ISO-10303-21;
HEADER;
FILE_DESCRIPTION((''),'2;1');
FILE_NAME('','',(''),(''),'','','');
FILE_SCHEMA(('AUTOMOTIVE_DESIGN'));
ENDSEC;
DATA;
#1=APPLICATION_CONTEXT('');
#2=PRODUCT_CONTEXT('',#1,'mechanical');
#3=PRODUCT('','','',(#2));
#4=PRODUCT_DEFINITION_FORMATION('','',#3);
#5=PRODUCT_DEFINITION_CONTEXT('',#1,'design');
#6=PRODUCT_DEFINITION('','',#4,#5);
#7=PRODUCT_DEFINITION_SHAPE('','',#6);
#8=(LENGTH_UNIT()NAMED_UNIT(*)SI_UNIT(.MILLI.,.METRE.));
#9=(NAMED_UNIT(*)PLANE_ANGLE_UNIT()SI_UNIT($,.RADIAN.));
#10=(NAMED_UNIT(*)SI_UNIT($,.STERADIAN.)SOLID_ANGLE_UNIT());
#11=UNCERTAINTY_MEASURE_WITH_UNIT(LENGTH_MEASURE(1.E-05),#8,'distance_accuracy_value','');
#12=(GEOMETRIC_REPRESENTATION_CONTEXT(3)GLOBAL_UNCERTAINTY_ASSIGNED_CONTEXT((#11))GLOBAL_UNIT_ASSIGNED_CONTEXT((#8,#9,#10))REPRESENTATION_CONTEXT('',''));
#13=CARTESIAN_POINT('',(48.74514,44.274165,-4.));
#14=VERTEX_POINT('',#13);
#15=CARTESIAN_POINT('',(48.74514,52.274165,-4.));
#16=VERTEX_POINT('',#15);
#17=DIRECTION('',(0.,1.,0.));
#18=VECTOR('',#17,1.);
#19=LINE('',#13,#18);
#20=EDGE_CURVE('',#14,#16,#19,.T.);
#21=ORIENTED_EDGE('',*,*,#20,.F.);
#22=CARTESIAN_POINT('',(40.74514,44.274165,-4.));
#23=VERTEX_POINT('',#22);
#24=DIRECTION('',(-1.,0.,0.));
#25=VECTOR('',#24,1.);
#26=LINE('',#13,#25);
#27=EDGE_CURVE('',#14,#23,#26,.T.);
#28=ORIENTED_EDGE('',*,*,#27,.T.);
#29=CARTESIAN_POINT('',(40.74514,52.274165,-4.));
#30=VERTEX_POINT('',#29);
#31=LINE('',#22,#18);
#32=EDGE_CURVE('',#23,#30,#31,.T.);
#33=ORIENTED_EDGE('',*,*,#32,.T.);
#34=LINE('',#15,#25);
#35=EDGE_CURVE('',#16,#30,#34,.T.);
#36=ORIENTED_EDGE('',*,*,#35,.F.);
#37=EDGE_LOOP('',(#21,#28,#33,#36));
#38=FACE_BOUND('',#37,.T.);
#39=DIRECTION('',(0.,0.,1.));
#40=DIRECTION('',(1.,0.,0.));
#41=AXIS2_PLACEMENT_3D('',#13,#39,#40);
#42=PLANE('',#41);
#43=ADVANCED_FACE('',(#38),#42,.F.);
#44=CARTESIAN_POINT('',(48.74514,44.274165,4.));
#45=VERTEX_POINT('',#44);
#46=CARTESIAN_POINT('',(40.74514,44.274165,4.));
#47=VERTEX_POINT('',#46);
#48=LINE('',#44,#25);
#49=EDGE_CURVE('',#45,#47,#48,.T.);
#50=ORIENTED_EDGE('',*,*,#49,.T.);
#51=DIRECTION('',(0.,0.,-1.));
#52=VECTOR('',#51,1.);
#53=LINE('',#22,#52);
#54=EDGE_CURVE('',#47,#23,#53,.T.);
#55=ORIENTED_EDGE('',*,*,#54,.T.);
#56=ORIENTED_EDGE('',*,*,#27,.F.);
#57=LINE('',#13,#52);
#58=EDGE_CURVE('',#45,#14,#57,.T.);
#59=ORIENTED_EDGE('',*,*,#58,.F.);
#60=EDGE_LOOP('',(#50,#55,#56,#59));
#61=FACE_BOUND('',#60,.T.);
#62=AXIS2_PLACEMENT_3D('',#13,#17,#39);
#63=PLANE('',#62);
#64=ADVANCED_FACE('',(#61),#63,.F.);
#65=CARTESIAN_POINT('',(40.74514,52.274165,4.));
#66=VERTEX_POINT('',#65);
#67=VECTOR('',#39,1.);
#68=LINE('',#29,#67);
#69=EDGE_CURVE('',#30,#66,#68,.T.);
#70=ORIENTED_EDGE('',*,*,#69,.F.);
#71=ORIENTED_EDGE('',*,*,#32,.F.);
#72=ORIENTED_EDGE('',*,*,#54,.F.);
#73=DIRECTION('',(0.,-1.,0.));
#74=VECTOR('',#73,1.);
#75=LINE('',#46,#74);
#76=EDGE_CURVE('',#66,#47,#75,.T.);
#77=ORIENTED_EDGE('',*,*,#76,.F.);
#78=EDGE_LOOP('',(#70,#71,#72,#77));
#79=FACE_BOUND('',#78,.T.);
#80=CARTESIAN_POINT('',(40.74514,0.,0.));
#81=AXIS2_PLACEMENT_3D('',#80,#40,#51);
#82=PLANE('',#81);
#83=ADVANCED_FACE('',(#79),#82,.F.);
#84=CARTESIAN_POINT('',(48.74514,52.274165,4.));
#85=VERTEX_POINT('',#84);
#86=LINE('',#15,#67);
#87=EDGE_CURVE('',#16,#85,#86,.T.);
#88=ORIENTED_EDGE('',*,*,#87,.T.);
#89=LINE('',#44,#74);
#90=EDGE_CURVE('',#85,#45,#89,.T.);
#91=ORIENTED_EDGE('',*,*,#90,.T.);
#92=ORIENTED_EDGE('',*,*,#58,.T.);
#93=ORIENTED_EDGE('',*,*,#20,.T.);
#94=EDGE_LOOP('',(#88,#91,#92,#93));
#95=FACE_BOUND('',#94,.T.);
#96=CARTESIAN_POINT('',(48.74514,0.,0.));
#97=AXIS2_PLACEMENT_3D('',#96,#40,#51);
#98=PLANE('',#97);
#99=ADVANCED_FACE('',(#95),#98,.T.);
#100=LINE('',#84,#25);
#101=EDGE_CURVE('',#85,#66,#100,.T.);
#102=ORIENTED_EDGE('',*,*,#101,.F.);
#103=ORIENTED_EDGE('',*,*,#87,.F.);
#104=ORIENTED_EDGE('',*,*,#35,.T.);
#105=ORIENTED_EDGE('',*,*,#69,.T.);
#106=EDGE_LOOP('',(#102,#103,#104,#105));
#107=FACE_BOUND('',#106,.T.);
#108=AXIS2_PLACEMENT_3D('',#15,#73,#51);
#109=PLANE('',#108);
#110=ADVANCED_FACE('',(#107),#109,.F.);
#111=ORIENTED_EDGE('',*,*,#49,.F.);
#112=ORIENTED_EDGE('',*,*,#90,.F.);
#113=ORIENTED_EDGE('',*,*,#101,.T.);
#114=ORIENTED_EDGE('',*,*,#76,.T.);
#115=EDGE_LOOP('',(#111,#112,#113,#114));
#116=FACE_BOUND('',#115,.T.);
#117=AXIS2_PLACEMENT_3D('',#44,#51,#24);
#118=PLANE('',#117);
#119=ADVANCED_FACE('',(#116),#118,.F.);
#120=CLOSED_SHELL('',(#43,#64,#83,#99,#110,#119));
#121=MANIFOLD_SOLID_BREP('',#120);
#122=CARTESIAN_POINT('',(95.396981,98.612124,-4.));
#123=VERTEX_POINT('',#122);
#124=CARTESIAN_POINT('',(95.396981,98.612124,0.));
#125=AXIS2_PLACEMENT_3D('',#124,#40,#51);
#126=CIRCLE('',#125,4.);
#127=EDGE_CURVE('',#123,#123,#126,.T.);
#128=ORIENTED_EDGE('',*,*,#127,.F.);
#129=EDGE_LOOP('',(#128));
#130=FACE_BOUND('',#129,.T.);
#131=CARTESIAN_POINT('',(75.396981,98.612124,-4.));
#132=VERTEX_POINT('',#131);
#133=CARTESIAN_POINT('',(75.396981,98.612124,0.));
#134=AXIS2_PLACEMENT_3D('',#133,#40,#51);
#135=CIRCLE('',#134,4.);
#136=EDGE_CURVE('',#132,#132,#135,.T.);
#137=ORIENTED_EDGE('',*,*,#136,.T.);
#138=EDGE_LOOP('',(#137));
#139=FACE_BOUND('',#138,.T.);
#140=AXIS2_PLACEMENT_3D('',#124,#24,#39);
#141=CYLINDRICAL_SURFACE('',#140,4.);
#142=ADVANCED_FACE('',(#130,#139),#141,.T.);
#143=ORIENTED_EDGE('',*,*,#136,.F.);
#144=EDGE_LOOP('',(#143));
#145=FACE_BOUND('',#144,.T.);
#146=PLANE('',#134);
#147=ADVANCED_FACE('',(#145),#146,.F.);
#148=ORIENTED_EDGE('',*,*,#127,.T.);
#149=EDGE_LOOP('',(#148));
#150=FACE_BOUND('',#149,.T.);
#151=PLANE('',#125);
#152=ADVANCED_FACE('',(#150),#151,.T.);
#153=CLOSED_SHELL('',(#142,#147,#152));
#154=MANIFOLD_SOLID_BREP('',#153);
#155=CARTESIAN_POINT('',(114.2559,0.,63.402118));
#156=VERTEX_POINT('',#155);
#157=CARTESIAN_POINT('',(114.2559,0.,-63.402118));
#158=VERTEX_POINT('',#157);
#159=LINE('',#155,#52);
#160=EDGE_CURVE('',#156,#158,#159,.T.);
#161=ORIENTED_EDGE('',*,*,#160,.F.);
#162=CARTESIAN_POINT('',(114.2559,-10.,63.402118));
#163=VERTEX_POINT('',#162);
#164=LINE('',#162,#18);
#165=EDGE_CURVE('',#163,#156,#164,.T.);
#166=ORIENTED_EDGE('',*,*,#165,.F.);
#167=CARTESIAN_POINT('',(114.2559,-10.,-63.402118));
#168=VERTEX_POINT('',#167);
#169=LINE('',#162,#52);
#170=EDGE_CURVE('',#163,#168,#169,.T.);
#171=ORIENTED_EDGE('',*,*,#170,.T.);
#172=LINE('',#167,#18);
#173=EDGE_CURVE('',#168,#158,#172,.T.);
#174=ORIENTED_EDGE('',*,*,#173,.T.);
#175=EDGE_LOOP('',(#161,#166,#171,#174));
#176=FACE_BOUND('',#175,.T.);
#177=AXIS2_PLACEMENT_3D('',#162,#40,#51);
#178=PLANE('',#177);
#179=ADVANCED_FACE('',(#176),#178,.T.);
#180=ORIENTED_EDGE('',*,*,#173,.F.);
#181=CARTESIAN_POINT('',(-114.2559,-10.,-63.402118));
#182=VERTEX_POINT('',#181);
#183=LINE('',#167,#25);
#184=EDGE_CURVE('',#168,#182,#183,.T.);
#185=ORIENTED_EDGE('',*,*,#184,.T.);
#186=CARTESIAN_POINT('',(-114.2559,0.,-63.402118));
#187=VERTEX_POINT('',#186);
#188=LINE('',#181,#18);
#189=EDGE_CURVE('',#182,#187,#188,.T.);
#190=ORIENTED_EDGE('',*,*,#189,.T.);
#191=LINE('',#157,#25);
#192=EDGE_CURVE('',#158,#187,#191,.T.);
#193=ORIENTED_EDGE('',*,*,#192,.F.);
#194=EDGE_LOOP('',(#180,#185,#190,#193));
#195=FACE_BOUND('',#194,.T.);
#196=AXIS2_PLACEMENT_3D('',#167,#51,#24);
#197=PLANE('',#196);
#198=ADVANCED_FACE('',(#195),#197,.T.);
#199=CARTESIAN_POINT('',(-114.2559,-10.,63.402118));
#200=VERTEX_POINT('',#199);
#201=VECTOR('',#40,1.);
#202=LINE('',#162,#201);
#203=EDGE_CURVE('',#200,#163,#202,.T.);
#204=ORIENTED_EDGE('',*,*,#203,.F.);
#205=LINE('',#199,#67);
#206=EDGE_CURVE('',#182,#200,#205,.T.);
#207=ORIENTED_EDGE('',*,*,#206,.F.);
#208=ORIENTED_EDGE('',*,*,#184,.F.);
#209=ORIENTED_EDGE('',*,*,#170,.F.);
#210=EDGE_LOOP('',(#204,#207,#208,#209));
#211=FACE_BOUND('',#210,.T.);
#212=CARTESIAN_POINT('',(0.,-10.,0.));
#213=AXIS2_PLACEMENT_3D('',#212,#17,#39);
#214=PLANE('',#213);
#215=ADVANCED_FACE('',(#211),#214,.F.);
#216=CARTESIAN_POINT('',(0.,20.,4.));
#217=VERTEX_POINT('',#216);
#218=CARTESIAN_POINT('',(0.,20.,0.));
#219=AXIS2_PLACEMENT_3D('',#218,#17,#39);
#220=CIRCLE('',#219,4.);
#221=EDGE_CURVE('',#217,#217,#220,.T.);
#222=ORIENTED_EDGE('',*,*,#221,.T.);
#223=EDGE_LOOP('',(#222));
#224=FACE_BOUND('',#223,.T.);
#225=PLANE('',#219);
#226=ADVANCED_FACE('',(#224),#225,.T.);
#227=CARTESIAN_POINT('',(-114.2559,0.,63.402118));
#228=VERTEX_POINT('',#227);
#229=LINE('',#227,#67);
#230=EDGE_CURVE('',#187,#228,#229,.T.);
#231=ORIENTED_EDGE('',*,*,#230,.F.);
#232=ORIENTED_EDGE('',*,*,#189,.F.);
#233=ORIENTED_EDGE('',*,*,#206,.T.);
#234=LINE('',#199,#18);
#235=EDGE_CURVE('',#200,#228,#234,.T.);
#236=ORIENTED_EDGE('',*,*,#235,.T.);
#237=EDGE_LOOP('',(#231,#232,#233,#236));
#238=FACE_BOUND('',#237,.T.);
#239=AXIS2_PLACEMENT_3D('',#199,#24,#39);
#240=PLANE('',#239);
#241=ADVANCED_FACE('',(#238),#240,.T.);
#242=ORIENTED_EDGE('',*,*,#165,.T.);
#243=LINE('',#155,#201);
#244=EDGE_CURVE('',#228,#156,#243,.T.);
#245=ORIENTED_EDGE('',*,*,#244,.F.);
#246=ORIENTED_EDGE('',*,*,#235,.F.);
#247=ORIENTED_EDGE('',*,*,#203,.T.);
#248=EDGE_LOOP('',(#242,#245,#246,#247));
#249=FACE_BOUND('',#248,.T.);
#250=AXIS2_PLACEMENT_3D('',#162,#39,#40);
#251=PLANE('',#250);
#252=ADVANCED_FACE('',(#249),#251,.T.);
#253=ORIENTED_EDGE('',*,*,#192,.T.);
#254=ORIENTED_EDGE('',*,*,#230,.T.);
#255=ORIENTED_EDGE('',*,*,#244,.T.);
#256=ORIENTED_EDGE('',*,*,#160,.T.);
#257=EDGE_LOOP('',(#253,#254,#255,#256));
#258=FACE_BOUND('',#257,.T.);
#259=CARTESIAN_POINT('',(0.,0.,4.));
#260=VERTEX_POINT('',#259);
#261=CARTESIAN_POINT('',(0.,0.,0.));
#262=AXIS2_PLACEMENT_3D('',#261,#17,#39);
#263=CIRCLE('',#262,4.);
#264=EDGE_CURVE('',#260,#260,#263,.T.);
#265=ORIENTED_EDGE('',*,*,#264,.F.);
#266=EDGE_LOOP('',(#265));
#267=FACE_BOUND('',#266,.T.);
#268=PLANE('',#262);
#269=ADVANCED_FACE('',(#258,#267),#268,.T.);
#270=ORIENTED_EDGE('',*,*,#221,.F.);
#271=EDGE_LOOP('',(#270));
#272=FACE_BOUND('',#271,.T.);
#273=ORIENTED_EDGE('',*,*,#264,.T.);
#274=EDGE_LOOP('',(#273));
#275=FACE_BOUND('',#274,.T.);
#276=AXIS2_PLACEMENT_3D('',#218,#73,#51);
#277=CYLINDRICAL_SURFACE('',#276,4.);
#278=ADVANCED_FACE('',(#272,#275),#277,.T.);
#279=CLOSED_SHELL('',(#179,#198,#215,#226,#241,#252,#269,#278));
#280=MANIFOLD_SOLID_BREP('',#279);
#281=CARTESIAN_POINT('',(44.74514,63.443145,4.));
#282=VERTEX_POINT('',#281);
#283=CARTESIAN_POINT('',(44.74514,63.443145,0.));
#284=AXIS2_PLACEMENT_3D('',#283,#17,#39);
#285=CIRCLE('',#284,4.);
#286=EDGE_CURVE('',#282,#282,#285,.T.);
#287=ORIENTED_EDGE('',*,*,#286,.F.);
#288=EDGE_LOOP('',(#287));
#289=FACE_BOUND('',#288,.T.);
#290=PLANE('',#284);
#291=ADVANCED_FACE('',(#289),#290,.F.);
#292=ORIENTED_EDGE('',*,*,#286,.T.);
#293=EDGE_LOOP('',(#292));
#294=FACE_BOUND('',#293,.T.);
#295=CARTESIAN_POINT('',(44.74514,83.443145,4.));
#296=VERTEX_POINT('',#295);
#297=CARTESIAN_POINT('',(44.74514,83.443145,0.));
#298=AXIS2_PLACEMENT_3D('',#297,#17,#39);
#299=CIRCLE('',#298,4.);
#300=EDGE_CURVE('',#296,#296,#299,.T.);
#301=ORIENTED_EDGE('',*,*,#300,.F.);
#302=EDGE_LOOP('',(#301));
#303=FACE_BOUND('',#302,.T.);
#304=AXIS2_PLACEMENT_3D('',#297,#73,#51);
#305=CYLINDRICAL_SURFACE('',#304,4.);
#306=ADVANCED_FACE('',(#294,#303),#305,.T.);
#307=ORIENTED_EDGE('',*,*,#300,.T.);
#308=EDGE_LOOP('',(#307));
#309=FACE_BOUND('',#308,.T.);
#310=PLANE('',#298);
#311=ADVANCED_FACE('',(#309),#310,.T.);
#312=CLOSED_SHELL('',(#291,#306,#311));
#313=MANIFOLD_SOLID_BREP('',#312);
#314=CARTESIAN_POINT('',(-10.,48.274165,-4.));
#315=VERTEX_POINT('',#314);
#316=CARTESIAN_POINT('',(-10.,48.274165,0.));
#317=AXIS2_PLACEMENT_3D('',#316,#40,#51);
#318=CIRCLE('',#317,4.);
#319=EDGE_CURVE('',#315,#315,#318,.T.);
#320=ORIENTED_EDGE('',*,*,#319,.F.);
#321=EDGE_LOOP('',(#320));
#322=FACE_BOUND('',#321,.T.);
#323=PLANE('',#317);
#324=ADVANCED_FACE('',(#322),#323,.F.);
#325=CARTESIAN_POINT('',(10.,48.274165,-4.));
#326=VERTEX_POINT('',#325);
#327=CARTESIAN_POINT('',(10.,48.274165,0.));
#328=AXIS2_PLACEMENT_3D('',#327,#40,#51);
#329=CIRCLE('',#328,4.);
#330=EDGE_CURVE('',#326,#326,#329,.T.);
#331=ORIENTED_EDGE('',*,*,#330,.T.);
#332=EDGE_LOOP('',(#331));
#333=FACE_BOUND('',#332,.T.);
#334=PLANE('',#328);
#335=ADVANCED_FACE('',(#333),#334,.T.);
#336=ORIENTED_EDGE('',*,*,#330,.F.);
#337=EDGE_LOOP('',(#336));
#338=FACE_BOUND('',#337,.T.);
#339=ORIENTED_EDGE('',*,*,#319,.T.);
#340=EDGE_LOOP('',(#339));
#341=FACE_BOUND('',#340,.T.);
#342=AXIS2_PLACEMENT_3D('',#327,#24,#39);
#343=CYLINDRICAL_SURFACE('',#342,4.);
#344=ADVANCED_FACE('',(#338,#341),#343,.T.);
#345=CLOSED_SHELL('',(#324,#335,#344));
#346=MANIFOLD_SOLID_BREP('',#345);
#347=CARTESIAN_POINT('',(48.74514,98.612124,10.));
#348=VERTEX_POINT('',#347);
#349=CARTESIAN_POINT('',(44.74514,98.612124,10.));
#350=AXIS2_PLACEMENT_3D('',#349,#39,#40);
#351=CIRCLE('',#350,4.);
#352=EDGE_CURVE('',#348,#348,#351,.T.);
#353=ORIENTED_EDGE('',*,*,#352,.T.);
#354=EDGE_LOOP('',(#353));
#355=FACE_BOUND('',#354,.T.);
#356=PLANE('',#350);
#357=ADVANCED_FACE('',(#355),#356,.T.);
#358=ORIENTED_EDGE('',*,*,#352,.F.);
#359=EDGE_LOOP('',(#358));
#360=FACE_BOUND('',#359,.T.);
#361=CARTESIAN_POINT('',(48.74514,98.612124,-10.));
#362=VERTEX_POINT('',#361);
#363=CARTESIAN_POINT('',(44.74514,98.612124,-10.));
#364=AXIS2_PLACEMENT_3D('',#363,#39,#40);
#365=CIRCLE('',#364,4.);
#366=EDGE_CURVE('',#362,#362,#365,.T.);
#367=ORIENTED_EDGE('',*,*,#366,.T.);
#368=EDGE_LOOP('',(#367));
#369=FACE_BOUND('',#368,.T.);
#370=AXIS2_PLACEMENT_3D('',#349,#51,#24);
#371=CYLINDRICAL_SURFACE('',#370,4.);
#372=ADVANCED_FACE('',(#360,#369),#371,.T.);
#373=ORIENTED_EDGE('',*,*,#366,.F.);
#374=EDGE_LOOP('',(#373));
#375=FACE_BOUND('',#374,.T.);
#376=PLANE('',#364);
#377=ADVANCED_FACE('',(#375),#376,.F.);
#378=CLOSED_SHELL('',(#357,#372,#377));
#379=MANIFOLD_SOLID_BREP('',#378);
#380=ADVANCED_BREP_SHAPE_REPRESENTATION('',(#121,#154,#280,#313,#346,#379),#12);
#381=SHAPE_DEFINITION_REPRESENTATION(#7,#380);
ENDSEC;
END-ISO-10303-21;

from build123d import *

# Parameters (mm, degrees)
SKETCH1_W           = 228.511799864
SKETCH1_H           = 126.804235764
BOSS_EXTRUDE1_DEPTH = 10
SKETCH2_R           = 4
BOSS_EXTRUDE2_DEPTH = 20
SKETCH3_R           = 4
BOSS_EXTRUDE3_DEPTH = 10
SKETCH4_W           = 8
SKETCH4_H           = 8
BOSS_EXTRUDE4_DEPTH = 4
SKETCH5_R           = 4
BOSS_EXTRUDE5_DEPTH = 10
SKETCH7_R           = 4
BOSS_EXTRUDE6_DEPTH = 10
SKETCH9_R           = 4
BOSS_EXTRUDE7_DEPTH = 10


with BuildPart() as part:
    # Sketch1 → Boss-Extrude1 (new body)
    with BuildSketch(Plane(origin=(0, 0, 0), x_dir=(1, 0, 0), z_dir=(0, 1, 0))):
        Rectangle(SKETCH1_W, SKETCH1_H)
    extrude(amount=-BOSS_EXTRUDE1_DEPTH)

    # Sketch2 → Boss-Extrude2 (add)
    with BuildSketch(Plane(origin=(0, 0, 0), x_dir=(1, 0, 0), z_dir=(0, 1, 0))):
        with Locations(Location((0, 0, 0), (0, 0, 270))):
            Circle(SKETCH2_R)
    extrude(amount=BOSS_EXTRUDE2_DEPTH)


with BuildPart() as body_2:
    # Sketch3 → Boss-Extrude3 (new, symmetric)
    with BuildSketch(Plane(origin=(0, 0, 0), x_dir=(0, 0, -1), z_dir=(1, 0, 0))):
        with Locations((0, 48.274165168)):
            Circle(SKETCH3_R)
    extrude(amount=BOSS_EXTRUDE3_DEPTH, both=True)


with BuildPart() as body_3:
    # Sketch4 → Boss-Extrude4 (new, symmetric)
    with BuildSketch(Plane(origin=(44.745139913, 0, 0), x_dir=(0, 0, -1), z_dir=(1, 0, 0))):
        with Locations((0, 48.274165168)):
            Rectangle(SKETCH4_W, SKETCH4_H)
    extrude(amount=BOSS_EXTRUDE4_DEPTH, both=True)


with BuildPart() as body_4:
    # Sketch5 → Boss-Extrude5 (new, symmetric)
    with BuildSketch(Plane(origin=(0, 73.443144658, 0), x_dir=(1, 0, 0), z_dir=(0, 1, 0))):
        with Locations(Location((44.745139913, 0, 0), (0, 0, 270))):
            Circle(SKETCH5_R)
    extrude(amount=BOSS_EXTRUDE5_DEPTH, both=True)


with BuildPart() as body_5:
    # Sketch7 → Boss-Extrude6 (new, symmetric)
    with BuildSketch(Plane.XY):
        with Locations((44.745139913, 98.612124149)):
            Circle(SKETCH7_R)
    extrude(amount=BOSS_EXTRUDE6_DEPTH, both=True)


with BuildPart() as body_6:
    # Sketch9 → Boss-Extrude7 (new, symmetric)
    with BuildSketch(Plane(origin=(85.396981005, 0, 0), x_dir=(0, 0, -1), z_dir=(1, 0, 0))):
        with Locations((0, 98.612124149)):
            Circle(SKETCH9_R)
    extrude(amount=BOSS_EXTRUDE7_DEPTH, both=True)


solid = Compound([part.part, body_2.part, body_3.part, body_4.part, body_5.part, body_6.part])
